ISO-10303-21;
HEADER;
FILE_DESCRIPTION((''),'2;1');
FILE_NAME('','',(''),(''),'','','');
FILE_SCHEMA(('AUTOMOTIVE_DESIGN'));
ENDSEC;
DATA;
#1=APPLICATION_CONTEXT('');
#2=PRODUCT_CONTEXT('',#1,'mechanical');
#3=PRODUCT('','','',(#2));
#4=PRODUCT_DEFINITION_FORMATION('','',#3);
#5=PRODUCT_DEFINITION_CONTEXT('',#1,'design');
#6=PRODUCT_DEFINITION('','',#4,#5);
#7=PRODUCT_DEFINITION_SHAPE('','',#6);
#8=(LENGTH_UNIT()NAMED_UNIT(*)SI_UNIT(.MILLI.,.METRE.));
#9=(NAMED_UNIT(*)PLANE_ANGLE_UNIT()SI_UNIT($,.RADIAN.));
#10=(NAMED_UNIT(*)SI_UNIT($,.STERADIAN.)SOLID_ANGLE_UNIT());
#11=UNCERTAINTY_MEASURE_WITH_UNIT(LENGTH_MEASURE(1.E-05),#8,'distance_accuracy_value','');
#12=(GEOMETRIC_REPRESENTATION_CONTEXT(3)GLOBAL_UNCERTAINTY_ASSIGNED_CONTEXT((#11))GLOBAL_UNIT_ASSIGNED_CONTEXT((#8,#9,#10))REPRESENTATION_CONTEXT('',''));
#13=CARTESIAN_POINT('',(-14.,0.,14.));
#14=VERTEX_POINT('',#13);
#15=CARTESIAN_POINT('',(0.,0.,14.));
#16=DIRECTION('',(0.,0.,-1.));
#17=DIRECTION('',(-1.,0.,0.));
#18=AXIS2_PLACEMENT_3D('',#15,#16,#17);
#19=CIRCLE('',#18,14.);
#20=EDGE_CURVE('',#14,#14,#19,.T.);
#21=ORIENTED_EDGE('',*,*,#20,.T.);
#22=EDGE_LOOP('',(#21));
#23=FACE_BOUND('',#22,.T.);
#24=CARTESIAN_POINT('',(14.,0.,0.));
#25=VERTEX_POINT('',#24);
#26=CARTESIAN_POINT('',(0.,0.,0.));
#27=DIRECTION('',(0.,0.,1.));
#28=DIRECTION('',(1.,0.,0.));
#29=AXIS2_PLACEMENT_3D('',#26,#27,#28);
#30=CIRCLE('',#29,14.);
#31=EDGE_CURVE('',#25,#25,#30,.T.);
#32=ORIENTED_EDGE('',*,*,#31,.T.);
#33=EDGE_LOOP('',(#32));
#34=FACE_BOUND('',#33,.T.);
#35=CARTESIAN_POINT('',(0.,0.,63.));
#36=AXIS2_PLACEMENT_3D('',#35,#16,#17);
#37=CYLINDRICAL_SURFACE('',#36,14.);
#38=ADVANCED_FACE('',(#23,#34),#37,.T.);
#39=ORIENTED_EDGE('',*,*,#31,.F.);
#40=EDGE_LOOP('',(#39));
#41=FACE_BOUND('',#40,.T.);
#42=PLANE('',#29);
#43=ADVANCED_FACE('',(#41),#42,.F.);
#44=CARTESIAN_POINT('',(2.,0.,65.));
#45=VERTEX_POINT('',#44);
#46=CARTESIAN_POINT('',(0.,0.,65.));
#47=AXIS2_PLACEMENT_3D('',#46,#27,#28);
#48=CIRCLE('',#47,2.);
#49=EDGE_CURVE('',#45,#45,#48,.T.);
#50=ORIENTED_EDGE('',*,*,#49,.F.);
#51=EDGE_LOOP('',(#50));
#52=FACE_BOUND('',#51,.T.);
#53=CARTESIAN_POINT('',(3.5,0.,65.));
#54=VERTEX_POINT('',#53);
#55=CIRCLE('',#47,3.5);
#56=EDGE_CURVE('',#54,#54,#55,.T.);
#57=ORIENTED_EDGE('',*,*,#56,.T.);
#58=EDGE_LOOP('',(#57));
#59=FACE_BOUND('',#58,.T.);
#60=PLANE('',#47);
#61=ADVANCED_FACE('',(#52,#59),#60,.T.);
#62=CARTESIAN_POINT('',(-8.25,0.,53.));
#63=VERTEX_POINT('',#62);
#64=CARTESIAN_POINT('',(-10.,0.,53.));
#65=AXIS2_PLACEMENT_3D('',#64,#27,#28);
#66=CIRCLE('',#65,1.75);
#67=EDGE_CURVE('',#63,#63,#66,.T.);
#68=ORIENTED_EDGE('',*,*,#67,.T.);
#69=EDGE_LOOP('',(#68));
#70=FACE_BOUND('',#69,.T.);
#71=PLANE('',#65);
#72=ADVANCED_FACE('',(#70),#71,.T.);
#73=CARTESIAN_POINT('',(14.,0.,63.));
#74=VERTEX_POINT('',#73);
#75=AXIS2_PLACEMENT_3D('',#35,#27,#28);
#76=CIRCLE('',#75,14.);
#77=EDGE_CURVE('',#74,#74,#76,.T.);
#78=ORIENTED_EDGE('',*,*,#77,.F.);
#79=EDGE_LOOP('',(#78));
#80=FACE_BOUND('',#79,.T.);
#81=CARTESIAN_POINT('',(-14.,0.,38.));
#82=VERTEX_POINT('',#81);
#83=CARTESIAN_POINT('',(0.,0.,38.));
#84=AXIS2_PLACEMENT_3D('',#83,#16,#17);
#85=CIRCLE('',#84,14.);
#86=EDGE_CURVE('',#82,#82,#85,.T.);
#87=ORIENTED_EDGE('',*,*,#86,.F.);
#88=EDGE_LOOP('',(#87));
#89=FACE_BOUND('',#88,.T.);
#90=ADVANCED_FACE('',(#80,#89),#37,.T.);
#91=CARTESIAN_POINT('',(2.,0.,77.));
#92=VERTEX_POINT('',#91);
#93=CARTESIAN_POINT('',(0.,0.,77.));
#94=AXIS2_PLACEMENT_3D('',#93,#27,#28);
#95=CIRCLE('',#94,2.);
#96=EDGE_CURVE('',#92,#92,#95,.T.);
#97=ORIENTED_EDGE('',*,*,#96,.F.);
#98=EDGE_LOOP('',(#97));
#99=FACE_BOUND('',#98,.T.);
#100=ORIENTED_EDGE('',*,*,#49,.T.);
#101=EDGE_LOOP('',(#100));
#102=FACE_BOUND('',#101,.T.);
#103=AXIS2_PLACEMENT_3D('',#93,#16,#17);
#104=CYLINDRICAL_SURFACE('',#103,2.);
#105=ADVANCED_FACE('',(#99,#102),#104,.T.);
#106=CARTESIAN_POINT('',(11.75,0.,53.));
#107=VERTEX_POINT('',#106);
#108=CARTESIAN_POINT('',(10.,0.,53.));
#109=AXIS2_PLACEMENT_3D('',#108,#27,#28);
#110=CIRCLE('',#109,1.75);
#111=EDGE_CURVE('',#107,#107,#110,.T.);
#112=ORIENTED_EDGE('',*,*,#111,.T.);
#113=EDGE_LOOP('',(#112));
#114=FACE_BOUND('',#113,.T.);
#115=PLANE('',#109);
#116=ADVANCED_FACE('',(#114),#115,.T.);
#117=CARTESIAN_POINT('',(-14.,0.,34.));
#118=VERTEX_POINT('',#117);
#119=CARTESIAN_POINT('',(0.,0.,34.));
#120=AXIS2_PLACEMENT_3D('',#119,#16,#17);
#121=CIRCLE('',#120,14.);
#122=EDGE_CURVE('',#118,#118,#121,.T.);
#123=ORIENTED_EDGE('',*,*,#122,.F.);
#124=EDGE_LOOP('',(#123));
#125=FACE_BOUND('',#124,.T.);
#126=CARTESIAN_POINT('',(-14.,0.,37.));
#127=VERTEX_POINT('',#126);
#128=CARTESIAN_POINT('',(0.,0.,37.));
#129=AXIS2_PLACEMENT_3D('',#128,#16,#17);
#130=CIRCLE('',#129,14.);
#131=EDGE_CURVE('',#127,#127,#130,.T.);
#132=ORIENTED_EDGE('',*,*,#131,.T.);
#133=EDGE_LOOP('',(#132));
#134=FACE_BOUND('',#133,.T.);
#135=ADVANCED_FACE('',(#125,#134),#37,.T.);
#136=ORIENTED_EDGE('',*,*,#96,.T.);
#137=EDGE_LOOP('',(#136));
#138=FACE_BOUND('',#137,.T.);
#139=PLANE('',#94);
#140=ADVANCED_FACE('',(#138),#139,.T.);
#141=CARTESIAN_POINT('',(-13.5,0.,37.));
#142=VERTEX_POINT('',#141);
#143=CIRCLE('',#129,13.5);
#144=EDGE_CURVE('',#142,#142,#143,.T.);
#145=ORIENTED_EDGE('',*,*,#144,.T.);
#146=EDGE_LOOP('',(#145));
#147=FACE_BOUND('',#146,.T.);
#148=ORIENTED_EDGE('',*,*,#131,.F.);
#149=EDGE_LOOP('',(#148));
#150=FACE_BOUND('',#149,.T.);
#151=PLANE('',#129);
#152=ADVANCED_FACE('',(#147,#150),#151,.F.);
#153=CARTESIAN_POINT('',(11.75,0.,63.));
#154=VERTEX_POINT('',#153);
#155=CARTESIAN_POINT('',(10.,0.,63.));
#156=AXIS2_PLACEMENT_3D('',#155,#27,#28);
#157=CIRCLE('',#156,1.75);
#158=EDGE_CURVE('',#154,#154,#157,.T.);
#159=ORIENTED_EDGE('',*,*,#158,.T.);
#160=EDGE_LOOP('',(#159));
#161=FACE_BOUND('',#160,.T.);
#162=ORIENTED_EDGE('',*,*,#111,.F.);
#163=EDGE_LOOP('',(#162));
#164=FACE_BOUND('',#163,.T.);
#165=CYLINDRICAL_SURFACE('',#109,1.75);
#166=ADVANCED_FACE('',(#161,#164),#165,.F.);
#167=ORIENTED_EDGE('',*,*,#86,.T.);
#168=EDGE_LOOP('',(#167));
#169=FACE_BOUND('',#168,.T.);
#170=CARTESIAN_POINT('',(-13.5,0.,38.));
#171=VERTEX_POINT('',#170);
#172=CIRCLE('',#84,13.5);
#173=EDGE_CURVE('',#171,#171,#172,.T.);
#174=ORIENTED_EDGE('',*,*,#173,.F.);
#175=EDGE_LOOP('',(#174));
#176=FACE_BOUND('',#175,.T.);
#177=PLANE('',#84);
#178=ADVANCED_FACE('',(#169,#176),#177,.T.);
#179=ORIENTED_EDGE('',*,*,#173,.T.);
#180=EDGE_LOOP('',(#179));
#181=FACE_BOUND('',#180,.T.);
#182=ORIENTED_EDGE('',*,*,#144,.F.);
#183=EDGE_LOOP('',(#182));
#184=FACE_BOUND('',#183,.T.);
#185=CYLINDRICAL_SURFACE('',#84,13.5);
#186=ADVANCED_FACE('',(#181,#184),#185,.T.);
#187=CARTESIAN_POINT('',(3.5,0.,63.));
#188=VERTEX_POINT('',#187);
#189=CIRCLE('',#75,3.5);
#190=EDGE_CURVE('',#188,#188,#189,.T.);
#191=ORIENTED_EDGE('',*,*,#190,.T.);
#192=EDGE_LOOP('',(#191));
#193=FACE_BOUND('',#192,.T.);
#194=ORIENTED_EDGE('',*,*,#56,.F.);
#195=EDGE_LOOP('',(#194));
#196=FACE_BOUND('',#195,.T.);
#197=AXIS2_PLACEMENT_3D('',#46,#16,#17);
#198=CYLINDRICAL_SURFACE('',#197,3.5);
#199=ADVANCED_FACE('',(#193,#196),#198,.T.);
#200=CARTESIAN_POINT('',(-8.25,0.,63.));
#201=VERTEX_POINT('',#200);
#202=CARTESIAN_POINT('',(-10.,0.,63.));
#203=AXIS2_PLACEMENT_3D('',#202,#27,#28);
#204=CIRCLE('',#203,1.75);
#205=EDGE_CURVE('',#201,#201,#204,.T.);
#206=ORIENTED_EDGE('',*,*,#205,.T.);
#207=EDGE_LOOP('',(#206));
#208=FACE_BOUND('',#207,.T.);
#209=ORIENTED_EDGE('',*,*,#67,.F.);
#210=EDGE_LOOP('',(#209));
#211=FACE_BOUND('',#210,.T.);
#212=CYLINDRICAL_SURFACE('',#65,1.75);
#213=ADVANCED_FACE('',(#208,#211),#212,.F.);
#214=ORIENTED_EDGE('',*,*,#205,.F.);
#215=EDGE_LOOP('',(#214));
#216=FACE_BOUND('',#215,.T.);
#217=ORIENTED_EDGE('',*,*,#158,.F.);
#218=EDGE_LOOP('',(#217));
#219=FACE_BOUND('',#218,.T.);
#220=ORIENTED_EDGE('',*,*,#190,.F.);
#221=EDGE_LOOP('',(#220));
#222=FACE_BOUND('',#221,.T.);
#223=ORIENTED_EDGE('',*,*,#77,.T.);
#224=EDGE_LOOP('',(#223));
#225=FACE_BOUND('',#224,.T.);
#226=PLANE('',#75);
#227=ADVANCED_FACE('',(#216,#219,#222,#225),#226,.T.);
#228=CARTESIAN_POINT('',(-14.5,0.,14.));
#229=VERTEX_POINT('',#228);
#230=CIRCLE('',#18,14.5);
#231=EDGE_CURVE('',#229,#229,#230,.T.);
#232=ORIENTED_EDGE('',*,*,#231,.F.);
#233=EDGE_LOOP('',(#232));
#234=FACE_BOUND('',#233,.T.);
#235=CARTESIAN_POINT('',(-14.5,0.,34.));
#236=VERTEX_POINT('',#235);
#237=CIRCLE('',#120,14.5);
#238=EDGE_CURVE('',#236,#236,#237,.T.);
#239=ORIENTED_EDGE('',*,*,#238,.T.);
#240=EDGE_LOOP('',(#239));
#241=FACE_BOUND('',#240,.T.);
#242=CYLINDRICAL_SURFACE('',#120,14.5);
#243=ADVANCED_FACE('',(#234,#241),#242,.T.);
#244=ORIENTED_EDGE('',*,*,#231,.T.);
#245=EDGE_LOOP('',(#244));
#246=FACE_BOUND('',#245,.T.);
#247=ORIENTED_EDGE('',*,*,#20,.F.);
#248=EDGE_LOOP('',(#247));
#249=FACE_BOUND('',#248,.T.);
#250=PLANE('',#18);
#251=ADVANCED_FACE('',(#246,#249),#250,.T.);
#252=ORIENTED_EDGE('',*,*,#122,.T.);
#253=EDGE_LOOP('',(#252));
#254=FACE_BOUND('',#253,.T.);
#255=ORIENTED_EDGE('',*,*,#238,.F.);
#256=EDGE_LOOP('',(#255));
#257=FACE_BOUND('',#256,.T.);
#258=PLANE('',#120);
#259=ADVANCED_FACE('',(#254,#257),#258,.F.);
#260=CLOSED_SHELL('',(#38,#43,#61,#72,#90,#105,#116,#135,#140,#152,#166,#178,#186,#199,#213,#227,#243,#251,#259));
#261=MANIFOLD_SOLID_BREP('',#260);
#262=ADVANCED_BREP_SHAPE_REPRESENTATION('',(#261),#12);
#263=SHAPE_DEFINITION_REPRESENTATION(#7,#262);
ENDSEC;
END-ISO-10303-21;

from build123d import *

# Parameters (mm, degrees)
SKETCH1_R           = 14
BOSS_EXTRUDE1_DEPTH = 63
SKETCH2_R           = 3.5
BOSS_EXTRUDE2_DEPTH = 2
SKETCH3_R           = 2
BOSS_EXTRUDE3_DEPTH = 12
SKETCH4_R           = 14.5
BOSS_EXTRUDE4_DEPTH = 20
SKETCH5_OUTSIDE_W   = 48.448
SKETCH5_OUTSIDE_H   = 48.448
SKETCH5_OUTSIDE_R   = 13.5
CUT_EXTRUDE1_DEPTH  = 1
SKETCH6_R           = 1.75
CUT_EXTRUDE2_DEPTH  = 10


with BuildPart() as part:
    # Sketch1 → Boss-Extrude1 (new body)
    with BuildSketch(Plane.XY):
        Circle(SKETCH1_R)
    extrude(amount=BOSS_EXTRUDE1_DEPTH)

    # Sketch2 → Boss-Extrude2 (add)
    with BuildSketch(Plane.XY.offset(63)):
        Circle(SKETCH2_R)
    extrude(amount=BOSS_EXTRUDE2_DEPTH)

    # Sketch3 → Boss-Extrude3 (add)
    with BuildSketch(Plane.XY.offset(65)):
        Circle(SKETCH3_R)
    extrude(amount=BOSS_EXTRUDE3_DEPTH)

    # Sketch4 → Boss-Extrude4 (add)
    with BuildSketch(Plane(origin=(0, 0, 14), x_dir=(-1, 0, 0), z_dir=(0, 0, -1))):
        Circle(SKETCH4_R)
    extrude(amount=-BOSS_EXTRUDE4_DEPTH)

    # Sketch5 outside → Cut-Extrude1 (cut)
    with BuildSketch(Plane(origin=(0, 0, 37), x_dir=(-1, 0, 0), z_dir=(0, 0, -1))):
        Rectangle(SKETCH5_OUTSIDE_W, SKETCH5_OUTSIDE_H)
        Circle(SKETCH5_OUTSIDE_R, mode=Mode.SUBTRACT)
    extrude(amount=-CUT_EXTRUDE1_DEPTH, mode=Mode.SUBTRACT)

    # Sketch6 → Cut-Extrude2 (cut)
    with BuildSketch(Plane.XY.offset(63)):
        with Locations((-10, 0)):
            Circle(SKETCH6_R)
        with Locations((10, 0)):
            Circle(SKETCH6_R)
    extrude(amount=-CUT_EXTRUDE2_DEPTH, mode=Mode.SUBTRACT)


solid = part.part
